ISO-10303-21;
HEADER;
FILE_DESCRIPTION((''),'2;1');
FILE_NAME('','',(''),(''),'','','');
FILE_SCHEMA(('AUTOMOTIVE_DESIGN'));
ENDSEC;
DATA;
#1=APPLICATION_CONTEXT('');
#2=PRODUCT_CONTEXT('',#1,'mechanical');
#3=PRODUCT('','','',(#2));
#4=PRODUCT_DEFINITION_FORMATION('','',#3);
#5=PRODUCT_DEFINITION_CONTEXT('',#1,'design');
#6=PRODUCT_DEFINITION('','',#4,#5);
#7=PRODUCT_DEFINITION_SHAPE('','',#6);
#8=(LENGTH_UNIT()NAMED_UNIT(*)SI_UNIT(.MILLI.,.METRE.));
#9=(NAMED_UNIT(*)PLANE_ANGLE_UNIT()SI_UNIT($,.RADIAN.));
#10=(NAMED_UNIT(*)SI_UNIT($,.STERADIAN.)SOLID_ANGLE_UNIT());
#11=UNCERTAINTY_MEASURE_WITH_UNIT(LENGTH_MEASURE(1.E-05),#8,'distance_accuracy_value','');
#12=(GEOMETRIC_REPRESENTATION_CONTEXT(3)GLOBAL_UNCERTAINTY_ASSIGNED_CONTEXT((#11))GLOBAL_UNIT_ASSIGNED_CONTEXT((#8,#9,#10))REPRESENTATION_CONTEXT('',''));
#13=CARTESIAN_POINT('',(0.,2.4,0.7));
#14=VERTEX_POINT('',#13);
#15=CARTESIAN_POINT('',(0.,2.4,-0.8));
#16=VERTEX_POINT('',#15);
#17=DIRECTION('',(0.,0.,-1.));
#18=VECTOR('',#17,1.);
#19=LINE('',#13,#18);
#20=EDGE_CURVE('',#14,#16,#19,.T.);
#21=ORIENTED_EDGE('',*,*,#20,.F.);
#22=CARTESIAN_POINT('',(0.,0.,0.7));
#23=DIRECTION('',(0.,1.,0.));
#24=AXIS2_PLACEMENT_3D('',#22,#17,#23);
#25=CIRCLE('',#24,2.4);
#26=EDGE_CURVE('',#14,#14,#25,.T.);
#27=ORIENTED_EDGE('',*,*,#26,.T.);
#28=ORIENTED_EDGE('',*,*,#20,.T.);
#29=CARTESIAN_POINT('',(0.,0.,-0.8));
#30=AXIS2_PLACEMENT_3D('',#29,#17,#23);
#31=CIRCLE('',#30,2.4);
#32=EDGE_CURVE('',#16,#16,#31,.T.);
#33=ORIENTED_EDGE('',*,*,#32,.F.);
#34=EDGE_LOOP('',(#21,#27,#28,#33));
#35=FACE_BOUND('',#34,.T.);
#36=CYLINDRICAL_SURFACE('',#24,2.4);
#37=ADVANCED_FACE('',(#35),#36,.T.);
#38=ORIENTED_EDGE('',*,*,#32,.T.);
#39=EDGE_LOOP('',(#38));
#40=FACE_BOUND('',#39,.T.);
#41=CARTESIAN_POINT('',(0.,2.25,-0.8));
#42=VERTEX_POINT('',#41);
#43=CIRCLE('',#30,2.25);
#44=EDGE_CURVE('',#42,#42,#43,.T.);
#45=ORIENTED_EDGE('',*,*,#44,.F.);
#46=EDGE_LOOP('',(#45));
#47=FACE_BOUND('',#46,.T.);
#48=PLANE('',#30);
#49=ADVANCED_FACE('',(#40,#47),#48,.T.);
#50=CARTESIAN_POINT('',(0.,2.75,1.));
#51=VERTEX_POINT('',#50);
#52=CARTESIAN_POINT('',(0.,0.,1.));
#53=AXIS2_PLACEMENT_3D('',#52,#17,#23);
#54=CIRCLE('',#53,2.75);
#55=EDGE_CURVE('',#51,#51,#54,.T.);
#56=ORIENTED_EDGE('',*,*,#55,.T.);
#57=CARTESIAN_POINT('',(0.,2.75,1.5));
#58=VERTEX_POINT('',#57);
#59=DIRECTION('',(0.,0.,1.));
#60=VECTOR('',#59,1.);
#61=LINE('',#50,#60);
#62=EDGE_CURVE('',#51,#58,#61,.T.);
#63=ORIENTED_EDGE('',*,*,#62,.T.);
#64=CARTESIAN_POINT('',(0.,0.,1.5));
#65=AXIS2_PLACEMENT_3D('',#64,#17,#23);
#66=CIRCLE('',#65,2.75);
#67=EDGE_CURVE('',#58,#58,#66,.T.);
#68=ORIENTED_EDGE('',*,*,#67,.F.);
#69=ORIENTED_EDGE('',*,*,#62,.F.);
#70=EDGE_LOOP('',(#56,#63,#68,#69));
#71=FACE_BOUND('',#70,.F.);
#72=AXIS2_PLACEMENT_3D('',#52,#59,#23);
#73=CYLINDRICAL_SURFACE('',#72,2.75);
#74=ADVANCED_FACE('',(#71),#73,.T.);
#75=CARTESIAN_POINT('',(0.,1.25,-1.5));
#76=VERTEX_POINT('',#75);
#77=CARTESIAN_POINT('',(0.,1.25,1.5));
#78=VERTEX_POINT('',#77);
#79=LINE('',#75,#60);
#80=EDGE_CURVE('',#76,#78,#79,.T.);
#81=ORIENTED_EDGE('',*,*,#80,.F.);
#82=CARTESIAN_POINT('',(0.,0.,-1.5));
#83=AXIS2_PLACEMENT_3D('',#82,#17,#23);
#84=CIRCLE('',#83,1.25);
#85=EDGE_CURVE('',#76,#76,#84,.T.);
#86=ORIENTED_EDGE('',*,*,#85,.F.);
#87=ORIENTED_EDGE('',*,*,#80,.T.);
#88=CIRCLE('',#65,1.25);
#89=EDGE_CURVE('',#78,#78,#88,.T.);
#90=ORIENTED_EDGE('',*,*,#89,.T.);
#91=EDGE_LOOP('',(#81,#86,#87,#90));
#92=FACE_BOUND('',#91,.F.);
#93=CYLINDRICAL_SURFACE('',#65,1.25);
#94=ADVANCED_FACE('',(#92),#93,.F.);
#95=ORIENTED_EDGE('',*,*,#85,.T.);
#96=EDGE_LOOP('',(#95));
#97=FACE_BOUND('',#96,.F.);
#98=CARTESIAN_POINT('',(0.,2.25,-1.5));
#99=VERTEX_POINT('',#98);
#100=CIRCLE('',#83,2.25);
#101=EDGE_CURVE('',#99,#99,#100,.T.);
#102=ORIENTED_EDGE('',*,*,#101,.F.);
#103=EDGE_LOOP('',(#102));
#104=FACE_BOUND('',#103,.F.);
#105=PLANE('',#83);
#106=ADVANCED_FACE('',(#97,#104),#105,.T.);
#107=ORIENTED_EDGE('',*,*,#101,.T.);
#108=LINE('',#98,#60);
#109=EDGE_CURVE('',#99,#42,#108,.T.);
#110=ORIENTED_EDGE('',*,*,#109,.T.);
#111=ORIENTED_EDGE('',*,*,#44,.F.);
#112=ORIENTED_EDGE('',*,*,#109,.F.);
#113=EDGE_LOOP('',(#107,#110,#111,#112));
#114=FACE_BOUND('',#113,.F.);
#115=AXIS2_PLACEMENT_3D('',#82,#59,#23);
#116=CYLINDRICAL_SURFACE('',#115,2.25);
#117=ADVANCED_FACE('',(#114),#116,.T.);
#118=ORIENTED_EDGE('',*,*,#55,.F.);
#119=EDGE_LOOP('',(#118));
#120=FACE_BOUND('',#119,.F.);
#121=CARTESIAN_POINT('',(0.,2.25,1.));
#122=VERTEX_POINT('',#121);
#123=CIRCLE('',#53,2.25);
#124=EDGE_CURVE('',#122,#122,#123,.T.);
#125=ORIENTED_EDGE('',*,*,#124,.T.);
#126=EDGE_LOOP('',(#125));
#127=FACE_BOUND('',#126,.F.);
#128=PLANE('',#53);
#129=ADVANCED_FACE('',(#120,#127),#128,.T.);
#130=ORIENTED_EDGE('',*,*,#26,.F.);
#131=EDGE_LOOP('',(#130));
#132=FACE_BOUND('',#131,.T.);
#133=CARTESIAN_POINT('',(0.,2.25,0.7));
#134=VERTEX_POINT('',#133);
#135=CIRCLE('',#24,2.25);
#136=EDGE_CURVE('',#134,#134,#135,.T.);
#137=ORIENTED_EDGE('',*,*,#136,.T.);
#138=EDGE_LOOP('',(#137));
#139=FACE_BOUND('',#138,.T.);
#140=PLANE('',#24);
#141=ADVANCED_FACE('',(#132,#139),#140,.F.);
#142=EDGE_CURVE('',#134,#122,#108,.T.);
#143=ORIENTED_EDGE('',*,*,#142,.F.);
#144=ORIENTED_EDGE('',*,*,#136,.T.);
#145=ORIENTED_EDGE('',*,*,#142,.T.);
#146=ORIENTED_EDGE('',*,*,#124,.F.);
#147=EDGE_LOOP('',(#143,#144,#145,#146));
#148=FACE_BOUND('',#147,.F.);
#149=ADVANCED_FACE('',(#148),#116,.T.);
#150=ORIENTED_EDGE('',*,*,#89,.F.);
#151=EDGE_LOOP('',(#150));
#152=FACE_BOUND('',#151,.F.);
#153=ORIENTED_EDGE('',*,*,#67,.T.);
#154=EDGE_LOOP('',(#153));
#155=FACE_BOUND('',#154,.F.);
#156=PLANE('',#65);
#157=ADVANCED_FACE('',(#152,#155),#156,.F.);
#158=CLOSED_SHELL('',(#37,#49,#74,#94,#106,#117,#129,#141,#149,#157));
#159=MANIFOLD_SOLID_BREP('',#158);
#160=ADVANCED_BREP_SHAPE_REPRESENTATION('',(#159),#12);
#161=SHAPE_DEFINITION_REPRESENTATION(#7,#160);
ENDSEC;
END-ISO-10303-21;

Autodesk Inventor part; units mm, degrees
ref_plane "YZ Plane" through (0, 0, 0) normal (1, 0, 0) x (0, 1, 0)
ref_plane "XZ Plane" through (0, 0, 0) normal (0, 1, 0) x (-1, 0, 0)
ref_plane "XY Plane" through (0, 0, 0) normal (0, 0, 1) x (1, 0, 0)
sketch "スケッチ1" plane through (0, 0, 0) normal (1, 0, 0) x (0, 1, 0)
  line L0 (2.75, 1.5) -> (1.25, 1.5)
  line L1 (1.25, 1.5) -> (1.25, 1)
  line L2 (1.25, 1) -> (2.75, 1)
  line L3 (2.75, 1) -> (2.75, 1.5)
  line L4 (2.25, 1) -> (1.25, 1)
  line L5 (1.25, 1) -> (1.25, -1.5)
  line L6 (1.25, -1.5) -> (2.25, -1.5)
  line L7 (2.25, -1.5) -> (2.25, 1)
  line L8 (0, 1.5) -> (0, -1.5) construction
  line L9 (2.25, 0.7) -> (2.4, 0.7)
  line L10 (2.4, 0.7) -> (2.4, -0.8)
  line L11 (2.4, -0.8) -> (2.25, -0.8)
  line L12 (2.25, -0.8) -> (2.25, 0.7)
  point P0 (0, 0)
  point P1 (0, 0)
  dimension "d0" = 3
  dimension "d1" = 5.5
  dimension "d2" = 4.5
  dimension "d3" = 0.5
  dimension "d4" = 2.5
  dimension "d8" = 4.8
  dimension "d9" = 0.3
  dimension "d10" = 1.5
revolve "回転1" add sketch "スケッチ1" angle 360 about axis through (0, 0, 1.5) along (0, 0, -1)
thread "ねじ1" size "M3x0.5" class "6H" standard "ANSI Metric M Profile" length 30.3
properties part number "_FB-305530CD" material "真鍮、ソフト イエロー"
